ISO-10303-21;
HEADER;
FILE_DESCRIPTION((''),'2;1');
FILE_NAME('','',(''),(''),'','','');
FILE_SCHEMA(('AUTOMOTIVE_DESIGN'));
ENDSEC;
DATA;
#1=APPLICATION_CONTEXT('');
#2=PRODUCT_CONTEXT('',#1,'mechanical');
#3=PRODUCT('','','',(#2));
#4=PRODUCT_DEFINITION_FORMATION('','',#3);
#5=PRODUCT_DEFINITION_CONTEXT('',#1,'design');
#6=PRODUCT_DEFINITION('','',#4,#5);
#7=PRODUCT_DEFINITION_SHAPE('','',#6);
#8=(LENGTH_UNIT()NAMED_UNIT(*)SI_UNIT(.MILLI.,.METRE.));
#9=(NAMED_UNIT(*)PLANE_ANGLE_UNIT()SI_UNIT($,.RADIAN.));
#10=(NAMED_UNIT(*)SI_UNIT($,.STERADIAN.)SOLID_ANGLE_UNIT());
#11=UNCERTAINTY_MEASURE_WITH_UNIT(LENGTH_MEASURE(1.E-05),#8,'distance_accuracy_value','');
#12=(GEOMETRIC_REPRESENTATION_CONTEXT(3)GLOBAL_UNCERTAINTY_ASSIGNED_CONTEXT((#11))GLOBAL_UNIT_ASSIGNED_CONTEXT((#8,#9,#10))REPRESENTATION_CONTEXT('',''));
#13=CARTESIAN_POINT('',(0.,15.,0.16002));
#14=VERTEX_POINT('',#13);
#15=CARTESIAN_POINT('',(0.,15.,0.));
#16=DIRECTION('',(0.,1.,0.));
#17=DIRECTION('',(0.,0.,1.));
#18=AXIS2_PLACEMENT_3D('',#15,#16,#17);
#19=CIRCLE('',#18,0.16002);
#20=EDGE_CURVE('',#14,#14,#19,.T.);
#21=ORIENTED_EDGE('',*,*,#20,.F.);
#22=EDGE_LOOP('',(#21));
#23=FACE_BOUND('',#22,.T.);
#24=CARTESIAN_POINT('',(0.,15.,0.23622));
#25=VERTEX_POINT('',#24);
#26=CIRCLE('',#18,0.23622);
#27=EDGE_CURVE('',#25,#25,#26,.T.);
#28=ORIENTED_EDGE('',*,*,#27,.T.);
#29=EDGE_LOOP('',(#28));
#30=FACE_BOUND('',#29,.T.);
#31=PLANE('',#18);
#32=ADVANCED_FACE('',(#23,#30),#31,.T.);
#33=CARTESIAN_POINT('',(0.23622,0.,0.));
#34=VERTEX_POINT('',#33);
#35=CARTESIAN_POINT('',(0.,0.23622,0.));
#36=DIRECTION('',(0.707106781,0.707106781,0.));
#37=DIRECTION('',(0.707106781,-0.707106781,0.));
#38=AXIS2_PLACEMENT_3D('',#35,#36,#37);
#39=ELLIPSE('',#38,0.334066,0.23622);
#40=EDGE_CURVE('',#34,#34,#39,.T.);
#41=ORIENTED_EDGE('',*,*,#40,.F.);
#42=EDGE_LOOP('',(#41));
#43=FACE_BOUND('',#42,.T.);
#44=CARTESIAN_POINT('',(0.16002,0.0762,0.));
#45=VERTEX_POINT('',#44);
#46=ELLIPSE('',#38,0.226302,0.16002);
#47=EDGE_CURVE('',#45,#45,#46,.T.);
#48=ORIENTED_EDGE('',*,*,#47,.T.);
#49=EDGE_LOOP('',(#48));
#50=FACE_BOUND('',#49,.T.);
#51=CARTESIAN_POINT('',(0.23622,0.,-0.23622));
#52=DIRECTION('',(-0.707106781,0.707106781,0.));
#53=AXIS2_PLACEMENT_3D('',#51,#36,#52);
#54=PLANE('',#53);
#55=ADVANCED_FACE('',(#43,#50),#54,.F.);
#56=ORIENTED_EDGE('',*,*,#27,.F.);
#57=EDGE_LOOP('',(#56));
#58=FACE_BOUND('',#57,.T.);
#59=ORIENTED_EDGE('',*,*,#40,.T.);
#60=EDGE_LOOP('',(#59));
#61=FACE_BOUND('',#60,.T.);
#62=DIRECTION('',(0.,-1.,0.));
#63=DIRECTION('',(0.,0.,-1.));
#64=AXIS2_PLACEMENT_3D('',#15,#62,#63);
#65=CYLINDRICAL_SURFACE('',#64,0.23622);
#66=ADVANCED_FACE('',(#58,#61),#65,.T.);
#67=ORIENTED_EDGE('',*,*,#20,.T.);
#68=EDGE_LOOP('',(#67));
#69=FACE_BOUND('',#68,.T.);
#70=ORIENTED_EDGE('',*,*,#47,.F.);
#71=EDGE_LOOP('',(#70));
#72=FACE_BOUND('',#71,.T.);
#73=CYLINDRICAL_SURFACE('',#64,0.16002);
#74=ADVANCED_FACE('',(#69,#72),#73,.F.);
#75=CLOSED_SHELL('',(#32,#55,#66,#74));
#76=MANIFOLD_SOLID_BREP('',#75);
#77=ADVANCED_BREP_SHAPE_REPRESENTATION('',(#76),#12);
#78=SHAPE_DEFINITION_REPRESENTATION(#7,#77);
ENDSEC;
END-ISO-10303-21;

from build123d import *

# Parameters (mm, degrees)
SKETCH1_R               = 0.23622
SKETCH1_R_2             = 0.16002
INNER_POLYIMIDE_DEPTH   = 15
CUT_EXTRUDE1_DEPTH      = 1.23622
CUT_EXTRUDE1_DEPTH_BACK = 1.23622


with BuildPart() as part:
    # Sketch1 → Inner Polyimide (new body)
    with BuildSketch(Plane(origin=(0, 0, 0), x_dir=(1, 0, 0), z_dir=(0, 1, 0))):
        Circle(SKETCH1_R)
        Circle(SKETCH1_R_2, mode=Mode.SUBTRACT)
    extrude(amount=INNER_POLYIMIDE_DEPTH)

    # Sketch2 → Cut-Extrude1 (cut, two sides)
    with BuildSketch(Plane.XY) as cut_extrude1_sk:
        Polygon((0.23622, 0), (-0.23622, 0.47244), (-0.23622, 0), align=None)
    extrude(amount=CUT_EXTRUDE1_DEPTH, mode=Mode.SUBTRACT)
    extrude(cut_extrude1_sk.sketch, amount=-CUT_EXTRUDE1_DEPTH_BACK, mode=Mode.SUBTRACT)


solid = part.part
